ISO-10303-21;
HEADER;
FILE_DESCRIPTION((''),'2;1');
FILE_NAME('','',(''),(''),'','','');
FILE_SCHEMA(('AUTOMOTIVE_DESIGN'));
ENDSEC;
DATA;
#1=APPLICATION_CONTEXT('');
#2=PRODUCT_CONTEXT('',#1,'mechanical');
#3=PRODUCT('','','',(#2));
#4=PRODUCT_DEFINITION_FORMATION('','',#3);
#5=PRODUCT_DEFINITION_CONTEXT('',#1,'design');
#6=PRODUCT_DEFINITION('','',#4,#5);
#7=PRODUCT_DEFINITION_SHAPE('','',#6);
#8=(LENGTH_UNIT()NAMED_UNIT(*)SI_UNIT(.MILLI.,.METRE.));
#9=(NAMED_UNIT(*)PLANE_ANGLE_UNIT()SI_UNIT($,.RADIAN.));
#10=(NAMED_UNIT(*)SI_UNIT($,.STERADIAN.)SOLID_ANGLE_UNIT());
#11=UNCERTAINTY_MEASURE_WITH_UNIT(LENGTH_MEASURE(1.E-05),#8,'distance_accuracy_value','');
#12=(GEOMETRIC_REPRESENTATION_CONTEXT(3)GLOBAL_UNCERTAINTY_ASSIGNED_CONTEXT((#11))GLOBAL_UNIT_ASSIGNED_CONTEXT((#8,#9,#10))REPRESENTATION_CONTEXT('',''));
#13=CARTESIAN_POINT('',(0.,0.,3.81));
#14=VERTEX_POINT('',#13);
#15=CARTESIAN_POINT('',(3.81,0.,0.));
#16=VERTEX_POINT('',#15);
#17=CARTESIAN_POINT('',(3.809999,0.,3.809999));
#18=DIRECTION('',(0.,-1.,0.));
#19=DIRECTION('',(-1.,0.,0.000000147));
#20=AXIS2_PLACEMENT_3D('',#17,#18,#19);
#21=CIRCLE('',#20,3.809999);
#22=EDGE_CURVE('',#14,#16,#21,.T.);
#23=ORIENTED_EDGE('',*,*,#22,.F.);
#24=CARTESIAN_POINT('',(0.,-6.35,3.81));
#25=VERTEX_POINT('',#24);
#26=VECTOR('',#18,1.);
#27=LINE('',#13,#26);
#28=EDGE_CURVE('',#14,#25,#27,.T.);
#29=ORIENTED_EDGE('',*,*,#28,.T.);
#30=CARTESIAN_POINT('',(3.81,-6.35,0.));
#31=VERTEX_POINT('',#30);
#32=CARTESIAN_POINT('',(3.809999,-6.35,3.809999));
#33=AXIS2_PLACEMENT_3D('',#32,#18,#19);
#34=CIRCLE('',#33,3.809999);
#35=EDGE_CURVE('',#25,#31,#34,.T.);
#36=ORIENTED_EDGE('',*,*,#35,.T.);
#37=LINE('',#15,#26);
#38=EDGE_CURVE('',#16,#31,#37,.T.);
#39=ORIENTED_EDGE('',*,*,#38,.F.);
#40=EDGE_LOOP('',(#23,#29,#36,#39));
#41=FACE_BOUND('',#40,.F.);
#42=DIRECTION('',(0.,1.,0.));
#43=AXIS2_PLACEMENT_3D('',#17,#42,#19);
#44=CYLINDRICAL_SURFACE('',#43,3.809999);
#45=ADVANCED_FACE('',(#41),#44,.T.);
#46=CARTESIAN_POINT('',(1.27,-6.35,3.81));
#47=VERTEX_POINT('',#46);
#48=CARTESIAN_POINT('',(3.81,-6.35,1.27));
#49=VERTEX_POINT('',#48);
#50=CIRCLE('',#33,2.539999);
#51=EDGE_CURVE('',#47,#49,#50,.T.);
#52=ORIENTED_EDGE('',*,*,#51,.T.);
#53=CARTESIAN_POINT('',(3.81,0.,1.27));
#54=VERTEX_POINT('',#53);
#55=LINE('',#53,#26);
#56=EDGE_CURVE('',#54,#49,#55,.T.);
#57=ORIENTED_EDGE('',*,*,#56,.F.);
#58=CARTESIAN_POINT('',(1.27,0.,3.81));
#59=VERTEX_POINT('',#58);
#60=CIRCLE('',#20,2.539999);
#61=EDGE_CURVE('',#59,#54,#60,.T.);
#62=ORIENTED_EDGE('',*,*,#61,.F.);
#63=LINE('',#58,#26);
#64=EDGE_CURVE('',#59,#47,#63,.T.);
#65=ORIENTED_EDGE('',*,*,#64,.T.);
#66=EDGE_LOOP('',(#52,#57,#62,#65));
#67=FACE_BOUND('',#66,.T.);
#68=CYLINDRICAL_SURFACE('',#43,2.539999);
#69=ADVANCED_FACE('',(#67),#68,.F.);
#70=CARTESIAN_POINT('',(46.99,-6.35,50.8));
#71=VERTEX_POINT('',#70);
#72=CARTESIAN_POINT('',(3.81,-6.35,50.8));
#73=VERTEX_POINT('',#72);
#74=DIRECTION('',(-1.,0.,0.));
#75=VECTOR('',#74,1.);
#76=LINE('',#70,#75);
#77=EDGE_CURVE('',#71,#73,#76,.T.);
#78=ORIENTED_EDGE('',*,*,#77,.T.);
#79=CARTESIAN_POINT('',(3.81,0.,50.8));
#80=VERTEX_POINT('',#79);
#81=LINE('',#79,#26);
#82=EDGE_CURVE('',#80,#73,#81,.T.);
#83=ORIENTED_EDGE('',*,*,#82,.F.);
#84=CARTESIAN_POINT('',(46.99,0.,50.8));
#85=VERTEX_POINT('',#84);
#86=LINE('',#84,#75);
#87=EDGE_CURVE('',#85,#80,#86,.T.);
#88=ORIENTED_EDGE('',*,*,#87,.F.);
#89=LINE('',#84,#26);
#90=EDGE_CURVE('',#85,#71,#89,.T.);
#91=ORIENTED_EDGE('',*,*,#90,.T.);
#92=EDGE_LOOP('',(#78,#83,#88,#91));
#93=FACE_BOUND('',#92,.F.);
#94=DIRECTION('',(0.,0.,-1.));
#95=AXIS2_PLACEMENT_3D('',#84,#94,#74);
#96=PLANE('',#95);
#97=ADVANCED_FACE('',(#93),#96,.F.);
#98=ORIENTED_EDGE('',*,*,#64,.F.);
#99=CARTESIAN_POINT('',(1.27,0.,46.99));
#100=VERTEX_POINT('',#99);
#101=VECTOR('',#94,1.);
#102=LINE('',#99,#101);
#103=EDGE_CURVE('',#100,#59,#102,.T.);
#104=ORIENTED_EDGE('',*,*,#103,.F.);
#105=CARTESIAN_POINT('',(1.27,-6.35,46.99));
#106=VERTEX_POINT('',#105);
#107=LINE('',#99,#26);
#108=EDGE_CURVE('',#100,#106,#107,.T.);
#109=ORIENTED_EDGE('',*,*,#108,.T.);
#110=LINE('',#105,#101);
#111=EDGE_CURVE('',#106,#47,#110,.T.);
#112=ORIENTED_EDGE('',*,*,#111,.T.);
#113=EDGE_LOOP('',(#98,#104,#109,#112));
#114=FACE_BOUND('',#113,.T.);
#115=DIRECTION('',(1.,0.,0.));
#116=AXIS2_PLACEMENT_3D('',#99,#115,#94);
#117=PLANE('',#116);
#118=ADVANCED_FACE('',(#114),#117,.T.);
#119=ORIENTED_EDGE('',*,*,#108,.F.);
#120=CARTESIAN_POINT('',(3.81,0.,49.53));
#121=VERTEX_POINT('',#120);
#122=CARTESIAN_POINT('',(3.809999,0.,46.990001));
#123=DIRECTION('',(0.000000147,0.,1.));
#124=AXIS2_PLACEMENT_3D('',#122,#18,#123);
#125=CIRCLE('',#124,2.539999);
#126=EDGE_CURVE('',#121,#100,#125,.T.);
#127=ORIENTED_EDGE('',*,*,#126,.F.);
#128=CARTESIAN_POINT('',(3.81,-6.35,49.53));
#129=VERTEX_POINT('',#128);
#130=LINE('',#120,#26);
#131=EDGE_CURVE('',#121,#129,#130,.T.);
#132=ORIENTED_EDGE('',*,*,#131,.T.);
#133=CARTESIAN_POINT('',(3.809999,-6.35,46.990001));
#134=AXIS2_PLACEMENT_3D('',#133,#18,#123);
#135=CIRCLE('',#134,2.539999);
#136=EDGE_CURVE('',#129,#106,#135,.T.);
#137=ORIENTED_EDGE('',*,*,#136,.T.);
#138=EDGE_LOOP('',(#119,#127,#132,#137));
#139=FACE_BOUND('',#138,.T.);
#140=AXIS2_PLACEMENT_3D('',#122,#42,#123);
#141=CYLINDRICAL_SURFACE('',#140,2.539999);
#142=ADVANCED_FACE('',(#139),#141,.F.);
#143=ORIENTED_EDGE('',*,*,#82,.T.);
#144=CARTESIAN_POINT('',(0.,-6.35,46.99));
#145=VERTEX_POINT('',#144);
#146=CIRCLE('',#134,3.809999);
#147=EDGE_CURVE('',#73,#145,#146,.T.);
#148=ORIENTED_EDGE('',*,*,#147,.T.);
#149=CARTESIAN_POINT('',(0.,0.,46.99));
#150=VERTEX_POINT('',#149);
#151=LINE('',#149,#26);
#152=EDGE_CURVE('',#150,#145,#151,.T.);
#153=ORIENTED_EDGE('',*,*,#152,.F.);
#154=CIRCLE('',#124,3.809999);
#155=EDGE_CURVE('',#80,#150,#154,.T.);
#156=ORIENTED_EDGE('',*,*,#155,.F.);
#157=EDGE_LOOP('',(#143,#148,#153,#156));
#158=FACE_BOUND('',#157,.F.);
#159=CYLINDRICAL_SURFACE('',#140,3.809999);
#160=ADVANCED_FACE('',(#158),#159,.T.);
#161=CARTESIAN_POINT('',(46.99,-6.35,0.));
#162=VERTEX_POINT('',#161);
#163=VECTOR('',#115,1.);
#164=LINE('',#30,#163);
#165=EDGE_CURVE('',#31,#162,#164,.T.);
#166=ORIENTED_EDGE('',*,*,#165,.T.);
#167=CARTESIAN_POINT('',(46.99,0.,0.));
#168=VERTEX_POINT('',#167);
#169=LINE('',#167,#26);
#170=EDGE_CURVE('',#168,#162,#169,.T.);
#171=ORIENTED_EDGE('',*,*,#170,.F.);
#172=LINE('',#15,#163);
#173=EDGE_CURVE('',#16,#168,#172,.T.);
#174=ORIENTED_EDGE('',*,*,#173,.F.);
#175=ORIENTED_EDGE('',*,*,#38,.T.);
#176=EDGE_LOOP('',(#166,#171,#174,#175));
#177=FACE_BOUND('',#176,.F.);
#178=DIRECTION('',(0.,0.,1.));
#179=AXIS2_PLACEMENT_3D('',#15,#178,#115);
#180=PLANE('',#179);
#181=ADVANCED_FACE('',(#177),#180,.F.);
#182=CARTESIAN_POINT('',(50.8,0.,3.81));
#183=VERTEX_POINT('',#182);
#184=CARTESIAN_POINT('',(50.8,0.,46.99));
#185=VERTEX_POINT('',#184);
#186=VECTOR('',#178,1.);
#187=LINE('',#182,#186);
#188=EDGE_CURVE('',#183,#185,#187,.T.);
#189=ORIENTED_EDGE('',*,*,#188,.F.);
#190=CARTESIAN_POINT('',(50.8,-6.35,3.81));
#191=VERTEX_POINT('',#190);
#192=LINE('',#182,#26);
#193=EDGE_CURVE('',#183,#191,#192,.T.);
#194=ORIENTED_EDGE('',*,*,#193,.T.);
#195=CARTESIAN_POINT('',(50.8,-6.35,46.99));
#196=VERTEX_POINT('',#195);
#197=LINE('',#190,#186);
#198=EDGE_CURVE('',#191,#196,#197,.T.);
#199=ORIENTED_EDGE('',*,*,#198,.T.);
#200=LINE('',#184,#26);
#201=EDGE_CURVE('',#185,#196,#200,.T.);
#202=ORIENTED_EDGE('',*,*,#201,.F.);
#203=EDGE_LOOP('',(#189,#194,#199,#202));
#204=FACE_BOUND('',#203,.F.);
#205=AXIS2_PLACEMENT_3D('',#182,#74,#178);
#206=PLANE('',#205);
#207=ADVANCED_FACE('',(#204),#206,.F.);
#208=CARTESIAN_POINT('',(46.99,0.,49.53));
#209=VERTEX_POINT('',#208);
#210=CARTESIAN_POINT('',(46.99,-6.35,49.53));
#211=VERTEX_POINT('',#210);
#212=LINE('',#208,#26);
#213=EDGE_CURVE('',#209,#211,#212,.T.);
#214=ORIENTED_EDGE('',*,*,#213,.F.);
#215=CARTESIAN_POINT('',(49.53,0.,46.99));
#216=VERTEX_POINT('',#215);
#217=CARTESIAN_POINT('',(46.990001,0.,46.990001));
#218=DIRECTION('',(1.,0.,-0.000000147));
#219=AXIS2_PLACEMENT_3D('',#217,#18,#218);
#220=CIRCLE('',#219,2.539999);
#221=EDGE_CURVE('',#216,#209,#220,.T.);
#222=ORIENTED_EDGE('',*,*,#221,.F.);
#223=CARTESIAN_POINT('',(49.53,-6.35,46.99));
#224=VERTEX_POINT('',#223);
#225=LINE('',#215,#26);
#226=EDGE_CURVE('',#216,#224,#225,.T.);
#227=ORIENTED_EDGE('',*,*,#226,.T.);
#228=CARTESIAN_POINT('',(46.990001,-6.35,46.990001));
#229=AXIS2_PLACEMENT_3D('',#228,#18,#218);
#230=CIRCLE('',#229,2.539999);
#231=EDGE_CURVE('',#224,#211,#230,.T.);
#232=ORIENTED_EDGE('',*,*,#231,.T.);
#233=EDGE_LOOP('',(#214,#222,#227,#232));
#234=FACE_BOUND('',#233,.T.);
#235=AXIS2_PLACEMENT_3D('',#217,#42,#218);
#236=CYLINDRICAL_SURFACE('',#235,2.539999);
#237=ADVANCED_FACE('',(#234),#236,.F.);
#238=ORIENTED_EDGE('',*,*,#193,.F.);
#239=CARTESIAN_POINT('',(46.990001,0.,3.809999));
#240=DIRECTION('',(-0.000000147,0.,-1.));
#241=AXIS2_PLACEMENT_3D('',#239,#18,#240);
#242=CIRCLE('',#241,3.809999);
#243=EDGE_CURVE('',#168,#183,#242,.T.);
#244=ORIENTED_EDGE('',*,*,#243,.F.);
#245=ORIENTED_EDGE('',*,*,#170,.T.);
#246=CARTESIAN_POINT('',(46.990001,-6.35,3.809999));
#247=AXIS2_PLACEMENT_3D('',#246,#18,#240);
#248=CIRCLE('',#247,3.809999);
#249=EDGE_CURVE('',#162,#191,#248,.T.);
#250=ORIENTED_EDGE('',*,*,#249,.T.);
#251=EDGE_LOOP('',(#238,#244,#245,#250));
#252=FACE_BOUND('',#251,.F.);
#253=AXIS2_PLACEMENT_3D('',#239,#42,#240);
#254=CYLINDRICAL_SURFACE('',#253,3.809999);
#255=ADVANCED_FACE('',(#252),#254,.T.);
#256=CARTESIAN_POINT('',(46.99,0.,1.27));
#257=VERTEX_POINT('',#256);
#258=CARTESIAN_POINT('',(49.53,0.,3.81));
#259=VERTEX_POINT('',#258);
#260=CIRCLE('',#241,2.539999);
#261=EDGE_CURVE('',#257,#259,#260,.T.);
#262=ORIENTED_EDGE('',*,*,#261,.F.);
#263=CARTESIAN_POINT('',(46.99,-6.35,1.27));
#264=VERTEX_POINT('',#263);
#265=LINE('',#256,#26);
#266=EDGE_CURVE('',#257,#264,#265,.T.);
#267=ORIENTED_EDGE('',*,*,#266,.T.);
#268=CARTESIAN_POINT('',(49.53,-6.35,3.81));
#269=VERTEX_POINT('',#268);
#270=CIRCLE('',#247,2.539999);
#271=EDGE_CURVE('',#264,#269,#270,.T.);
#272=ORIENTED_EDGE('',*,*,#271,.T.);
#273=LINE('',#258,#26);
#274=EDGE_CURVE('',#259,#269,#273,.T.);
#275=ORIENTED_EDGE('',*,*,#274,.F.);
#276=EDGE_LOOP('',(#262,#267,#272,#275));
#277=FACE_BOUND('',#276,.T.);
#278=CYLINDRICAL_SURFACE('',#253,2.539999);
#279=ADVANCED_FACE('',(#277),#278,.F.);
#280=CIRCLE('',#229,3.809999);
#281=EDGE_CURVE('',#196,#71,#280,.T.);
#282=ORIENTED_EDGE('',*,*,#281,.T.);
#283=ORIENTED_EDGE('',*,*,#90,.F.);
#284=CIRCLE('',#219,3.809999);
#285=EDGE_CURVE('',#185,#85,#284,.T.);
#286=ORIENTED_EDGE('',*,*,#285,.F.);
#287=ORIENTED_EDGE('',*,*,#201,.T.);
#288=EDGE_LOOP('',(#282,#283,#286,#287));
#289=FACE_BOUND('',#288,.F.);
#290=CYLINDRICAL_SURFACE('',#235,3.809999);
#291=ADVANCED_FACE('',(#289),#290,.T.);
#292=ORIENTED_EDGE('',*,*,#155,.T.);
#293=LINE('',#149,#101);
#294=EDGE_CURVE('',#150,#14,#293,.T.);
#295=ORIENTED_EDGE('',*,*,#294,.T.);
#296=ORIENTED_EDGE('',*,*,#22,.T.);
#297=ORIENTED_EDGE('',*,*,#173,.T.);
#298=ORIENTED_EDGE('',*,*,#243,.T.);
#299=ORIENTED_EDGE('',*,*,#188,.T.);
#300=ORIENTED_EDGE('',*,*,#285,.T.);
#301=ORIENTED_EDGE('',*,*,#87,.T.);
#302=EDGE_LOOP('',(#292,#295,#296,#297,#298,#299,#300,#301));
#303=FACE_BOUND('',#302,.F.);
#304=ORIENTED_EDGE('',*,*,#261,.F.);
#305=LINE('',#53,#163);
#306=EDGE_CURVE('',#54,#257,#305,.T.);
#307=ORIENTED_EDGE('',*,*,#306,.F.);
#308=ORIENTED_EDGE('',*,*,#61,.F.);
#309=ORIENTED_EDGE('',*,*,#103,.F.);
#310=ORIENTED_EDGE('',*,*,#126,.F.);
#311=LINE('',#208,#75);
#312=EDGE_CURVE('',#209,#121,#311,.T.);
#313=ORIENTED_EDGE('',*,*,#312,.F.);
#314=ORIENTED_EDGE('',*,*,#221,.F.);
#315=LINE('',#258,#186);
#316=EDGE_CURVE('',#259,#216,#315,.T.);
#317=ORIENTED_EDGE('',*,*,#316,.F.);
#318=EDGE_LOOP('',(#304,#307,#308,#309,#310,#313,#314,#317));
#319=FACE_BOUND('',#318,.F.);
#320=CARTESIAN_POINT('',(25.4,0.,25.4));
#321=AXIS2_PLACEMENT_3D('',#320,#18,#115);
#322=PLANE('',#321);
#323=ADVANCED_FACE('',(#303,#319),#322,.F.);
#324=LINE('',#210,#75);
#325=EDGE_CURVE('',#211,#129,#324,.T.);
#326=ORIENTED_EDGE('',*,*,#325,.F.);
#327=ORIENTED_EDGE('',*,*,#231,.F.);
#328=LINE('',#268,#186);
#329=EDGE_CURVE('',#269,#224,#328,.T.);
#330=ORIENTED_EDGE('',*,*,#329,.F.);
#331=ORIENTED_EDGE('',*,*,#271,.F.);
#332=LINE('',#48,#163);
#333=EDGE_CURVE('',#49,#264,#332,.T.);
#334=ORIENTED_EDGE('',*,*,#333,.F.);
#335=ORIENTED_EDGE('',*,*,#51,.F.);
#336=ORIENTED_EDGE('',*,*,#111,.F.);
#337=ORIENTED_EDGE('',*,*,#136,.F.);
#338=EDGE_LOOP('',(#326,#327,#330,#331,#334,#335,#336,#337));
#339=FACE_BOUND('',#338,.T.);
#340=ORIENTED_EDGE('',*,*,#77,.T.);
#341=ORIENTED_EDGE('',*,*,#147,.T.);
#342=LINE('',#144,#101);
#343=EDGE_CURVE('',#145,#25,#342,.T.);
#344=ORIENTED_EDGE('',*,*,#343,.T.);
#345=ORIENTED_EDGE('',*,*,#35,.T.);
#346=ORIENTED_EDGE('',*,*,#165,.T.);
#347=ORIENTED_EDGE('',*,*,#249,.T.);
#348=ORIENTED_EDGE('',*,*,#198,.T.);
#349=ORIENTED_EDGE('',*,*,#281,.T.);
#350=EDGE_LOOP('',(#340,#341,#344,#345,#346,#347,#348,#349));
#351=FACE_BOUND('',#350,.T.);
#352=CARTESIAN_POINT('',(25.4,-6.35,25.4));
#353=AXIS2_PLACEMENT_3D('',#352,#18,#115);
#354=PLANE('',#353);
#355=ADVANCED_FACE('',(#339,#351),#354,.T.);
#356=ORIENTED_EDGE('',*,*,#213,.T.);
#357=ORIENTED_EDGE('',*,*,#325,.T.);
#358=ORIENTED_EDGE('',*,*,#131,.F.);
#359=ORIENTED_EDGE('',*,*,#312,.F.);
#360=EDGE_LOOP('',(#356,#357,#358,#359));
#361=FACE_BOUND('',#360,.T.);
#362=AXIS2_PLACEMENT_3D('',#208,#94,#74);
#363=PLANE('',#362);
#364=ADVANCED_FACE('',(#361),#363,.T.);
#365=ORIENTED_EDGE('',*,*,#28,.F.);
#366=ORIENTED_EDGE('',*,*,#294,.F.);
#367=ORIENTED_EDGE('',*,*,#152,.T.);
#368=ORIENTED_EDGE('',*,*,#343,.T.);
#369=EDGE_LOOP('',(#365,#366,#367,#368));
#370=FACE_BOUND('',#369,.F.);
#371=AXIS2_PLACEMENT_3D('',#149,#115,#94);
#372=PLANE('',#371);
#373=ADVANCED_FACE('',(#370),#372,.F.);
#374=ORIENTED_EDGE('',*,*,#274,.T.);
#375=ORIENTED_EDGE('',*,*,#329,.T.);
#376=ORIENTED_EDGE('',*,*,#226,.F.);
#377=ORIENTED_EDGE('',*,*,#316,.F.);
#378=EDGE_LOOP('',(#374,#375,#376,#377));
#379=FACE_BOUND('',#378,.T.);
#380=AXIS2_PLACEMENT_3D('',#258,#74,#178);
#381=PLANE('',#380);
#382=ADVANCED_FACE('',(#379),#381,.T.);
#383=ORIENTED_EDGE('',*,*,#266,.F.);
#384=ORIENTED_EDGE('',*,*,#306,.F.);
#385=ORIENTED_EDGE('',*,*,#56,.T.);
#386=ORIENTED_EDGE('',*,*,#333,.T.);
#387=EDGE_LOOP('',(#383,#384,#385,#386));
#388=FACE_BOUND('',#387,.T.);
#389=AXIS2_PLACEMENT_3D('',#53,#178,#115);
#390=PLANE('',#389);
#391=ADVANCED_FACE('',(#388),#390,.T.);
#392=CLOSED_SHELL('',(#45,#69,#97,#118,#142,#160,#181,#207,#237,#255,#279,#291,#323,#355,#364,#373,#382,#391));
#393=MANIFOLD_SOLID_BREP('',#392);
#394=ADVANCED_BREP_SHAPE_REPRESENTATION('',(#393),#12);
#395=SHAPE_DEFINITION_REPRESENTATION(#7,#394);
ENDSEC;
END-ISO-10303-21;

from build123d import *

# Parameters (mm, degrees)
F1_DEPTH = 6.35
F2_T     = -1.27


with BuildPart() as f1:
    # F0 (on Front) → F1 (new body)
    with BuildSketch(Plane.XZ):
        with BuildLine():
            ThreePointArc((0, 3.81), (1.115923, 1.115923), (3.81, 0))
            Line((3.81, 0), (46.99, 0))
            ThreePointArc((46.99, 0), (49.684077, 1.115923), (50.8, 3.81))
            Line((50.8, 3.81), (50.8, 46.99))
            ThreePointArc((50.8, 46.99), (49.684077, 49.684077), (46.99, 50.8))
            Line((46.99, 50.8), (3.81, 50.8))
            ThreePointArc((3.81, 50.8), (1.115923, 49.684077), (0, 46.99))
            Line((0, 46.99), (0, 3.81))
        make_face()
    extrude(amount=F1_DEPTH)

    # F2
    f2_openings = [f1.faces().sort_by_distance(p)[0] for p in [
        (25.4, -6.35, 25.4),
        (25.4, 0, 25.4),
    ]]
    offset(amount=F2_T, openings=f2_openings)


solid = f1.part
